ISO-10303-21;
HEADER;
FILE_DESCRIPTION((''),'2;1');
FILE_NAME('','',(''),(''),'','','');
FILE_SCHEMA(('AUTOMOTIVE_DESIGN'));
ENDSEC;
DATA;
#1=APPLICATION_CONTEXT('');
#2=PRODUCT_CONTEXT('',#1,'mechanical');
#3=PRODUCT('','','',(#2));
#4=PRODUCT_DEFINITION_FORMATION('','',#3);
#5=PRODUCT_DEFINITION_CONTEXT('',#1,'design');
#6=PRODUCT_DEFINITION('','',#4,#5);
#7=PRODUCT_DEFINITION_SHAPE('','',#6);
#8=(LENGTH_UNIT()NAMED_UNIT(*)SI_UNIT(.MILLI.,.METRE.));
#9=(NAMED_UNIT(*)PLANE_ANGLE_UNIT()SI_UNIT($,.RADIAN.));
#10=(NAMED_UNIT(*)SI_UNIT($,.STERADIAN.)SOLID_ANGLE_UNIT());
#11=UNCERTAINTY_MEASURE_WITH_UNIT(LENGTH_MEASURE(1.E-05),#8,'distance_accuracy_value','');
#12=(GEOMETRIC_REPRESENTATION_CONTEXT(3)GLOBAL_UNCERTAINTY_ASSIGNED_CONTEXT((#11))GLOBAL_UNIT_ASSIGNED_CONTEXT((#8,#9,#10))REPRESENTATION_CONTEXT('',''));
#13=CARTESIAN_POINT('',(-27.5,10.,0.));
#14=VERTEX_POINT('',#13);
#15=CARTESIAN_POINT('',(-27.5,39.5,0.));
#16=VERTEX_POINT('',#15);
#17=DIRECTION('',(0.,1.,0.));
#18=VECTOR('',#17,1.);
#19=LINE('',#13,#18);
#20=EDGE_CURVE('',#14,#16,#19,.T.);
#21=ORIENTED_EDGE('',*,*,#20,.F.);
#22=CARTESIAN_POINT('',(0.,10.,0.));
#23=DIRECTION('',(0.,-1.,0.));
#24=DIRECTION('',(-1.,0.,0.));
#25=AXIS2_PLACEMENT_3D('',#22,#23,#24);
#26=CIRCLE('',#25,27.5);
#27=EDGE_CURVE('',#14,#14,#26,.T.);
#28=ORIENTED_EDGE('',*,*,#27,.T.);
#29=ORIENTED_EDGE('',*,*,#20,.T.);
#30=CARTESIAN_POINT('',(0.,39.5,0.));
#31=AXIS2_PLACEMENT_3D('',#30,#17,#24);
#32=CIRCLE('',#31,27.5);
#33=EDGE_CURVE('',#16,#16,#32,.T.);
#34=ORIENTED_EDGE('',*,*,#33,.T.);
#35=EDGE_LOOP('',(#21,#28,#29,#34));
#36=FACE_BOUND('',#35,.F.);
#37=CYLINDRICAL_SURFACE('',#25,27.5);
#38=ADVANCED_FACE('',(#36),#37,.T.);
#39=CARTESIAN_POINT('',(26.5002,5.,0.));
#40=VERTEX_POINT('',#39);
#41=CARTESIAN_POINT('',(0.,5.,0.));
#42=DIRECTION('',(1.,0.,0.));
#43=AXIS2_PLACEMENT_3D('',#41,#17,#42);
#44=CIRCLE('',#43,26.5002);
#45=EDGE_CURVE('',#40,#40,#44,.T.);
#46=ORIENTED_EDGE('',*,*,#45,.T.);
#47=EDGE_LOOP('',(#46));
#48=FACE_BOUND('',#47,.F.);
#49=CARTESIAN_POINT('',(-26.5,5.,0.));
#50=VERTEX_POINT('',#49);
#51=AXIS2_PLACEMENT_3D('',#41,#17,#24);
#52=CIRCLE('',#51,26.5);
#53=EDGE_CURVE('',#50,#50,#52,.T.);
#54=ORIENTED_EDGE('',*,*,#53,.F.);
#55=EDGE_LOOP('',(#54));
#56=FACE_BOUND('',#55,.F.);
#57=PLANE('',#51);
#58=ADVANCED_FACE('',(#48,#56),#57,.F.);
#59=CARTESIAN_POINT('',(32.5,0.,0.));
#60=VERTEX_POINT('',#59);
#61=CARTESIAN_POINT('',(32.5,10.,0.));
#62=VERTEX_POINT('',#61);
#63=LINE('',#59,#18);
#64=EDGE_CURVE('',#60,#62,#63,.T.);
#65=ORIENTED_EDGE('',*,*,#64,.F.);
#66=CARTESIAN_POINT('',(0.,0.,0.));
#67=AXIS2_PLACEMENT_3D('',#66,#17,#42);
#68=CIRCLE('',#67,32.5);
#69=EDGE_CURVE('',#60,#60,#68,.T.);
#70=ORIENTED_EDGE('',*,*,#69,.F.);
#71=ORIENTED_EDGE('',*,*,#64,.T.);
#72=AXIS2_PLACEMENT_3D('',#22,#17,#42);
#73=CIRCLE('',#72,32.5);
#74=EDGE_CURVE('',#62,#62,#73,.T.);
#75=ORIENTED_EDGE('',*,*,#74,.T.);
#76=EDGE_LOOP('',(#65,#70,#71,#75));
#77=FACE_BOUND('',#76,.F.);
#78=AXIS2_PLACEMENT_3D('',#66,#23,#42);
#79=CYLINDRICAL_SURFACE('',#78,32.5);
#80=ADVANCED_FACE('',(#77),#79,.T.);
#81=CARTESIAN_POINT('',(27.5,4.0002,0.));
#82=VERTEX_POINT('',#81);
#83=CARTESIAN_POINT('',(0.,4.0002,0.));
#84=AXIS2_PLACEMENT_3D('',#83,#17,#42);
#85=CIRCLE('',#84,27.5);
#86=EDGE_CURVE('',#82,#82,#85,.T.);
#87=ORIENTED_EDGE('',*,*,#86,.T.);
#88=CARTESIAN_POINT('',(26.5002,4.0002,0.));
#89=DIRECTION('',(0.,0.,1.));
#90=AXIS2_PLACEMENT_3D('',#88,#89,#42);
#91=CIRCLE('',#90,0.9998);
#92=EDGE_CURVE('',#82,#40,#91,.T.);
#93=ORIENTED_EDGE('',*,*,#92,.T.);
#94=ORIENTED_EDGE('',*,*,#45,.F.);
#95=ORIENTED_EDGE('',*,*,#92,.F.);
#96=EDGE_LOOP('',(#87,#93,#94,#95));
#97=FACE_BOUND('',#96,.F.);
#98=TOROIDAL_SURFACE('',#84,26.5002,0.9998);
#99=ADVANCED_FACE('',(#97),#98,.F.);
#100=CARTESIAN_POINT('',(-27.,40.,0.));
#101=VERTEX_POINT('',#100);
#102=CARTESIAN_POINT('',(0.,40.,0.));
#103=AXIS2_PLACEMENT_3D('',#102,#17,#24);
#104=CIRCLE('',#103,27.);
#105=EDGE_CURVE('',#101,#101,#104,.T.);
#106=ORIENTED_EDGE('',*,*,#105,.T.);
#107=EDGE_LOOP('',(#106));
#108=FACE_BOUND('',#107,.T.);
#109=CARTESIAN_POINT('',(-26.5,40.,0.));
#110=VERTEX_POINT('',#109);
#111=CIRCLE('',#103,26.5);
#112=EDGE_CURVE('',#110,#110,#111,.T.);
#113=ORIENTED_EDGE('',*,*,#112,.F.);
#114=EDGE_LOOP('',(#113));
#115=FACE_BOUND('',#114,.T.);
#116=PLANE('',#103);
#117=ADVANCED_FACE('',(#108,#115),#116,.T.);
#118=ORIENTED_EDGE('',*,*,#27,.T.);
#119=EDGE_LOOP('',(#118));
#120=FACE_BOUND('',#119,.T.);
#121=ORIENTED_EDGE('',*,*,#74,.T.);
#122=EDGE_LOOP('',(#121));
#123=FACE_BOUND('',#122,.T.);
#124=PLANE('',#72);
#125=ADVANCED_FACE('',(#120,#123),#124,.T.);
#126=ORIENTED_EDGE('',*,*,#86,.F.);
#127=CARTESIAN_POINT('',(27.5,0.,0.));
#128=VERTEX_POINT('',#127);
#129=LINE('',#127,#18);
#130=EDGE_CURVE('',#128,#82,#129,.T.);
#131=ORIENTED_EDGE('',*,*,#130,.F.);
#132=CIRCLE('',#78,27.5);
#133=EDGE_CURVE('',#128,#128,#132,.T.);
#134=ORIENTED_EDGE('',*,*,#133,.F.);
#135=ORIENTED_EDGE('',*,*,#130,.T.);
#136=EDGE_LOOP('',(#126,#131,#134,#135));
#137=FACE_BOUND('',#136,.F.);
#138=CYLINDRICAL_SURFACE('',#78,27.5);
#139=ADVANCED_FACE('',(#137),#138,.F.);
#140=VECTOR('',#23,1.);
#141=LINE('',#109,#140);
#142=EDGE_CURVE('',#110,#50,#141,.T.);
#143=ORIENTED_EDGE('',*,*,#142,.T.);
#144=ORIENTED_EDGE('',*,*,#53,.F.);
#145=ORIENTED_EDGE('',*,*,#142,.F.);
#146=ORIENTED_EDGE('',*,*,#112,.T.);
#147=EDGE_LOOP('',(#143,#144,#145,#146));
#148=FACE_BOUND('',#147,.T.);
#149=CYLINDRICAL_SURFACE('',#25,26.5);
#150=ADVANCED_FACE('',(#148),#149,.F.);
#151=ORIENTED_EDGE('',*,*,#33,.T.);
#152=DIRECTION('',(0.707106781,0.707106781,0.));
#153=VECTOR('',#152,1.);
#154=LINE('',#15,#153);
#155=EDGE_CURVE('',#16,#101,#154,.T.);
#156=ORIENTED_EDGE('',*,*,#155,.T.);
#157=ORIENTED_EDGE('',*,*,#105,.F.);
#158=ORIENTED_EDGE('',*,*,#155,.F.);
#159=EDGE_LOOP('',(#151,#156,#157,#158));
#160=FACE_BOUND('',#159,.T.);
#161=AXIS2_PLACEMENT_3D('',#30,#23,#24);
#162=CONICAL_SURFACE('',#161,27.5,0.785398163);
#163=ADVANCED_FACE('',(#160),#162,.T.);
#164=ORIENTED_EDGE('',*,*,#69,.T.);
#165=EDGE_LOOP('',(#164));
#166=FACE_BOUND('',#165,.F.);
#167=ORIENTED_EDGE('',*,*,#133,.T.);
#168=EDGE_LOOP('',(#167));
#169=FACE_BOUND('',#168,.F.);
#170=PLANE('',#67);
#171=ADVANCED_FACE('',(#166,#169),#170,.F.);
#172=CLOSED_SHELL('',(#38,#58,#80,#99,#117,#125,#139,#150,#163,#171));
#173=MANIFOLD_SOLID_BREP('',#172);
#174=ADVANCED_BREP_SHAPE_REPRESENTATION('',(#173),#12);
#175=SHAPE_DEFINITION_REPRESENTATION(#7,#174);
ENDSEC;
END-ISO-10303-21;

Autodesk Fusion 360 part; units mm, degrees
sketch "Sketch1" plane through (0, 0, 0) normal (0, 1, 0) x (1, 0, 0)
  circle A0 centre (0, 0) radius 32.5
  circle A1 centre (0, 0) radius 28.5
  dimension "d1" = 65
  dimension "d2" = 57
extrude "Extrude1" add sketch "Sketch1" along normal blind 10 makes body 1
sketch "Sketch2" plane through (0, 10, 0) normal (0, 1, 0) x (-1, 0, 0)
  circle A0 centre (0, 0) radius 28.5
  circle A1 centre (0, 0) radius 32.5
  circle A2 centre (0, 0) radius 28.5
  circle A3 centre (0, 0) radius 27.5
  circle A4 centre (0, 0) radius 26.5
  dimension "d5" = -1
  dimension "d8" = -2
extrude "Extrude3" add sketch "Sketch2" along normal blind 30 and the other way blind 5 separate body contours A3 makes body 2
sketch "Sketch3" plane through (0, 0, 0) normal (0, -1, 0) x (1, 0, 0)
  circle A0 centre (0, 0) radius 28.5
  circle A1 centre (0, 0) radius 32.5
  circle A2 centre (0, 0) radius 28.5
  circle A3 centre (0, 0) radius 27.5
extrude "Extrude4" add sketch "Sketch3" against normal blind 10 contours A0 A2 bodies 1 2
fillet "Fillet1" radius 1 1 edges at (25.639, 5, 9.9444) on bodies 1
chamfer "Chamfer1" distance 0.5 angle 45 1 edges at (25.639, 40, -9.9444) on bodies 1
equation "d8 = -1 mm - 1 mm"
